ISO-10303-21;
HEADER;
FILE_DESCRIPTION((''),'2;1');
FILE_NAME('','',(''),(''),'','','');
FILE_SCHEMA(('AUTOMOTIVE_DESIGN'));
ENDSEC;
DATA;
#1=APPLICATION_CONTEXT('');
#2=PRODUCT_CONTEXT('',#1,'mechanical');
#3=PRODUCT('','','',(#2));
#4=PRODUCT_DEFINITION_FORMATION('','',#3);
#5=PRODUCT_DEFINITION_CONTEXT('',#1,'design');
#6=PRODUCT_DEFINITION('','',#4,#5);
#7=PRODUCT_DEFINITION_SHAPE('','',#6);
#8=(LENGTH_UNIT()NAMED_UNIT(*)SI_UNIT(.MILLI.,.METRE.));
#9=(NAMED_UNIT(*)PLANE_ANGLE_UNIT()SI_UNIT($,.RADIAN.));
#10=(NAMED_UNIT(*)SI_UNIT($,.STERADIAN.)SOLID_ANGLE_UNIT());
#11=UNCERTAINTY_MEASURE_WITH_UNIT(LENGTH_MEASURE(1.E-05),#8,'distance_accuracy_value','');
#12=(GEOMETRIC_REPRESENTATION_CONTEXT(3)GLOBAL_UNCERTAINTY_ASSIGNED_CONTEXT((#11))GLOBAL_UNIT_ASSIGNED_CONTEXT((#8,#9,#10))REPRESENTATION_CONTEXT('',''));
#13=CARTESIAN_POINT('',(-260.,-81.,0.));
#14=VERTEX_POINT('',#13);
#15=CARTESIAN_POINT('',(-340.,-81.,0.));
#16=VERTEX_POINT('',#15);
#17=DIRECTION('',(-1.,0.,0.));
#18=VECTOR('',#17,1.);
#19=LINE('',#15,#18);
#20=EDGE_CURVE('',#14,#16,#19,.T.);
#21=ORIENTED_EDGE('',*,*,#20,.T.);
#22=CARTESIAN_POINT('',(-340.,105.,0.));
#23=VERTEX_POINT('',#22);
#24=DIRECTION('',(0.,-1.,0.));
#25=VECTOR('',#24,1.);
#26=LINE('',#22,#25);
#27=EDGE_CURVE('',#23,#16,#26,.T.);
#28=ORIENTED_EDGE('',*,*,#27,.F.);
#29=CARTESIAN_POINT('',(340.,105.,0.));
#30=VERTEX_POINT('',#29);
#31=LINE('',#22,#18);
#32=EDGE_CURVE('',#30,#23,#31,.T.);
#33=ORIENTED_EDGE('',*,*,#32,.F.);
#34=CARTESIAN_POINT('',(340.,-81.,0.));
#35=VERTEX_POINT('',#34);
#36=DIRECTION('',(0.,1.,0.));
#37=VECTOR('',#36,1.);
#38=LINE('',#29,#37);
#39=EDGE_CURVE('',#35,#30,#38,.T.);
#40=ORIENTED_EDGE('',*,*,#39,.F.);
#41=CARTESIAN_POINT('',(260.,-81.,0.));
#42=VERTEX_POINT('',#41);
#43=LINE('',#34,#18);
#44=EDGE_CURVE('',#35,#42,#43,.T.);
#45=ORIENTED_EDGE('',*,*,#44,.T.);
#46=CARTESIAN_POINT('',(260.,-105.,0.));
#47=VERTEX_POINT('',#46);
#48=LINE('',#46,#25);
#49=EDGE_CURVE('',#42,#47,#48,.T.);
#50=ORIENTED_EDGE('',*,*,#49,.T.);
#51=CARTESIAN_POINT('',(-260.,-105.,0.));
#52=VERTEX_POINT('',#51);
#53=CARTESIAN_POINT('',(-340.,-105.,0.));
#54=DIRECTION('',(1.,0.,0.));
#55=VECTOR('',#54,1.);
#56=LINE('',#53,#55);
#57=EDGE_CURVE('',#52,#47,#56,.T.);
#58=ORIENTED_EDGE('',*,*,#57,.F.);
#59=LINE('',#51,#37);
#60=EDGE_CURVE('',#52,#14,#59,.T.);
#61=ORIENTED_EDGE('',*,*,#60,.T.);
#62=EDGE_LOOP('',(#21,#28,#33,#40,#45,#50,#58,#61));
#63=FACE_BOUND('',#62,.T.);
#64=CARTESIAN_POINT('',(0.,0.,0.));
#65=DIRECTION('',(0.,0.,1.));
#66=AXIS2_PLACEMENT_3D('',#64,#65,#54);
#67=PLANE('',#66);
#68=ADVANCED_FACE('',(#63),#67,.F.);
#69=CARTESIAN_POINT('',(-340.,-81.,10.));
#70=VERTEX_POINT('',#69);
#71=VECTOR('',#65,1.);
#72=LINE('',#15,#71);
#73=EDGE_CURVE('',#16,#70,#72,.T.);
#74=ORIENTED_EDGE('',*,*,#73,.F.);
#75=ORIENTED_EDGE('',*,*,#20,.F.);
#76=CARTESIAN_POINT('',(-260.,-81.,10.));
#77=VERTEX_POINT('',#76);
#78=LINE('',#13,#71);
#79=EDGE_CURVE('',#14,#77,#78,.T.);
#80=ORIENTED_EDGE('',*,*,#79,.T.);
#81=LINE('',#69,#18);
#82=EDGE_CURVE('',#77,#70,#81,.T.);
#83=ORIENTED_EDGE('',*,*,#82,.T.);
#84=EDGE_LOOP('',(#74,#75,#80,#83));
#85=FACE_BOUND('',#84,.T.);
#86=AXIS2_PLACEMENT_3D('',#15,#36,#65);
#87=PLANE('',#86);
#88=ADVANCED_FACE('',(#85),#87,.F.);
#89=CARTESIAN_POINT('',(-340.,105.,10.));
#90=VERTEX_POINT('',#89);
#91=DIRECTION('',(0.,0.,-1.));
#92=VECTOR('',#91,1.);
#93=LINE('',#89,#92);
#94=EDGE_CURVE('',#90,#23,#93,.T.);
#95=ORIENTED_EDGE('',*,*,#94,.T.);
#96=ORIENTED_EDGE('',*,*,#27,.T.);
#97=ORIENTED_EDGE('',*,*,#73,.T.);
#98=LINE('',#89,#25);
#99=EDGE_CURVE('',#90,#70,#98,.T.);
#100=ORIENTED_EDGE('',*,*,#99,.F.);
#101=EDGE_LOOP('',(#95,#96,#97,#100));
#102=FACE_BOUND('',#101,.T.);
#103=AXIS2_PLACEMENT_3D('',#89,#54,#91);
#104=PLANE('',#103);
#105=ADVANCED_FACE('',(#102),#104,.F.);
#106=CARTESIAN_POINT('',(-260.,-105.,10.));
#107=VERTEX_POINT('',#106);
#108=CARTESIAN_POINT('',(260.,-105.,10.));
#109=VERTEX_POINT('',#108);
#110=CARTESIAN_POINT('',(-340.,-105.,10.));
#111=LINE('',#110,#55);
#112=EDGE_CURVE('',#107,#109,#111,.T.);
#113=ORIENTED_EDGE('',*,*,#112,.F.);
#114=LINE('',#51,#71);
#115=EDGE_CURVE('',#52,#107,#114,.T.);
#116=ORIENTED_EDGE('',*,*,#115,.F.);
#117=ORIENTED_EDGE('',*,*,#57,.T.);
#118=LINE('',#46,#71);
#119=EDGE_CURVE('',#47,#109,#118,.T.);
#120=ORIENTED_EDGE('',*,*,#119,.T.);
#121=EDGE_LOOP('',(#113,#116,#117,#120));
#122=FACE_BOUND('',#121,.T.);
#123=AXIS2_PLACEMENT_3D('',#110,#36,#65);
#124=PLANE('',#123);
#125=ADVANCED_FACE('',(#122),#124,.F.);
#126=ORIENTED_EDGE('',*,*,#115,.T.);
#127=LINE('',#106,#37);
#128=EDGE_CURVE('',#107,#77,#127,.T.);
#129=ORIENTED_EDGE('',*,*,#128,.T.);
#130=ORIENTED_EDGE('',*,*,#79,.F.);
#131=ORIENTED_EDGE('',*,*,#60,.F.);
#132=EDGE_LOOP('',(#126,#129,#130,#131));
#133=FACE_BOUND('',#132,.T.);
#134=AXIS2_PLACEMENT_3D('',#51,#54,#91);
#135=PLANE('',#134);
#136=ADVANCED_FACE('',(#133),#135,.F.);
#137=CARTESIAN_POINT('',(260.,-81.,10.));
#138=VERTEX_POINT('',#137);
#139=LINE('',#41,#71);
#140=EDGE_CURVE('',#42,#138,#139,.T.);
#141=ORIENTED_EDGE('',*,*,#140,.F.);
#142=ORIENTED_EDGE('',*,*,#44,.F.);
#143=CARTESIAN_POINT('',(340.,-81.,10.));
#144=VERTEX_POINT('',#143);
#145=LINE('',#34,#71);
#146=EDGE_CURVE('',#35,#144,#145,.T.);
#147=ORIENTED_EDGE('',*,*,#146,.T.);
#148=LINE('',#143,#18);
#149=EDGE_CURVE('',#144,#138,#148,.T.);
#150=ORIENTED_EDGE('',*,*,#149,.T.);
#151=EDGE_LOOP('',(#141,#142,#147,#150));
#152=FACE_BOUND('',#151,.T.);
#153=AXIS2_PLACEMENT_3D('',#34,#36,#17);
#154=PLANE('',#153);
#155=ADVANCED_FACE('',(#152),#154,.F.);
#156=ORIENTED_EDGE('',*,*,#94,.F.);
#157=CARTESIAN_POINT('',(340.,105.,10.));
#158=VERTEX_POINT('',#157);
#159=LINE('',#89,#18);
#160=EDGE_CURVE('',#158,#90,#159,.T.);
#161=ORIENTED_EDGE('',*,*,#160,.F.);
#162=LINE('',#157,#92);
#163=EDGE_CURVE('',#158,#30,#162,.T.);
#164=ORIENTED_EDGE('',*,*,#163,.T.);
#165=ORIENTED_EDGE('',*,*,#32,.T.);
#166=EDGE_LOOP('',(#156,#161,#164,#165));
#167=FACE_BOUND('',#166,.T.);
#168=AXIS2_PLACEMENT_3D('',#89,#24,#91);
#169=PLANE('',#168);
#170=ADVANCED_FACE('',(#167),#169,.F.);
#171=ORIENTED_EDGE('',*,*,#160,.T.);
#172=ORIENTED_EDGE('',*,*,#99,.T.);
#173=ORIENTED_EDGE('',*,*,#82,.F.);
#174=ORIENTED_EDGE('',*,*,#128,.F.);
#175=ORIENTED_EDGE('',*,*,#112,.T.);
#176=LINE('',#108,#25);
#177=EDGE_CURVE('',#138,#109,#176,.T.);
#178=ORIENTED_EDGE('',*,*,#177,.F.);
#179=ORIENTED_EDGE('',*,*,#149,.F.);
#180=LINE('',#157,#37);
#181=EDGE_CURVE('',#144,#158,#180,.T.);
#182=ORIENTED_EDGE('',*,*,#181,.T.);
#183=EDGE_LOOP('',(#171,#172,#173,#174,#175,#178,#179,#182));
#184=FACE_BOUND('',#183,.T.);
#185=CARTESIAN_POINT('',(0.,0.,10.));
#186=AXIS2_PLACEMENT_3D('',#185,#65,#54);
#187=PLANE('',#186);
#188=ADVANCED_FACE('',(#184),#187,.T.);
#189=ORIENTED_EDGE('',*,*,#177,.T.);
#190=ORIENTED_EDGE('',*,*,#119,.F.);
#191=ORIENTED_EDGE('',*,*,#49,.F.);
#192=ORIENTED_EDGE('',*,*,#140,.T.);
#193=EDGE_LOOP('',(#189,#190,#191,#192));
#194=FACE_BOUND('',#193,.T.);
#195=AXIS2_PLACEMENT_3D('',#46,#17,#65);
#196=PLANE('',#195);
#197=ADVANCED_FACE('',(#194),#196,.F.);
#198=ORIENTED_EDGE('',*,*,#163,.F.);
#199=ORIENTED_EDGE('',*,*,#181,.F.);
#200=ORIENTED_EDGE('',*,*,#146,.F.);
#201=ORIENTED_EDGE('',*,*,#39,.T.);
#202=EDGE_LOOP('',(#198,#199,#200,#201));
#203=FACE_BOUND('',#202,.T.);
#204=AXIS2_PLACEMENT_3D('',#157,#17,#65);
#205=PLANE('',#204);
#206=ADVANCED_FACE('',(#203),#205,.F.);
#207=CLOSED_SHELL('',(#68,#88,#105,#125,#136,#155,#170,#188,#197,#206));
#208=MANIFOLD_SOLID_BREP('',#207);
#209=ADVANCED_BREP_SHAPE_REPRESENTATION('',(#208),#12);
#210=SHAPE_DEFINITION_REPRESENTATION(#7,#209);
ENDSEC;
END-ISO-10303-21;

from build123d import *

# Parameters (mm, degrees)
ESQUISSE1_W             = 680
ESQUISSE1_H             = 210
BOSS_EXTRU_1_DEPTH      = 10
ESQUISSE2_W             = 80
ESQUISSE2_H             = 24
ENL_V_MAT_EXTRU_1_DEPTH = 11


with BuildPart() as part:
    # Esquisse1 → Boss.-Extru.1 (new body)
    with BuildSketch(Plane.XY):
        Rectangle(ESQUISSE1_W, ESQUISSE1_H)
    extrude(amount=BOSS_EXTRU_1_DEPTH)

    # Esquisse2 → Enlèv. mat.-Extru.1 (cut, through all)
    with BuildSketch(Plane.XY.offset(10)):
        with Locations((-300, -93)):
            Rectangle(ESQUISSE2_W, ESQUISSE2_H)
        with Locations((300, -93)):
            Rectangle(ESQUISSE2_W, ESQUISSE2_H)
    extrude(amount=-ENL_V_MAT_EXTRU_1_DEPTH, mode=Mode.SUBTRACT)


solid = part.part
